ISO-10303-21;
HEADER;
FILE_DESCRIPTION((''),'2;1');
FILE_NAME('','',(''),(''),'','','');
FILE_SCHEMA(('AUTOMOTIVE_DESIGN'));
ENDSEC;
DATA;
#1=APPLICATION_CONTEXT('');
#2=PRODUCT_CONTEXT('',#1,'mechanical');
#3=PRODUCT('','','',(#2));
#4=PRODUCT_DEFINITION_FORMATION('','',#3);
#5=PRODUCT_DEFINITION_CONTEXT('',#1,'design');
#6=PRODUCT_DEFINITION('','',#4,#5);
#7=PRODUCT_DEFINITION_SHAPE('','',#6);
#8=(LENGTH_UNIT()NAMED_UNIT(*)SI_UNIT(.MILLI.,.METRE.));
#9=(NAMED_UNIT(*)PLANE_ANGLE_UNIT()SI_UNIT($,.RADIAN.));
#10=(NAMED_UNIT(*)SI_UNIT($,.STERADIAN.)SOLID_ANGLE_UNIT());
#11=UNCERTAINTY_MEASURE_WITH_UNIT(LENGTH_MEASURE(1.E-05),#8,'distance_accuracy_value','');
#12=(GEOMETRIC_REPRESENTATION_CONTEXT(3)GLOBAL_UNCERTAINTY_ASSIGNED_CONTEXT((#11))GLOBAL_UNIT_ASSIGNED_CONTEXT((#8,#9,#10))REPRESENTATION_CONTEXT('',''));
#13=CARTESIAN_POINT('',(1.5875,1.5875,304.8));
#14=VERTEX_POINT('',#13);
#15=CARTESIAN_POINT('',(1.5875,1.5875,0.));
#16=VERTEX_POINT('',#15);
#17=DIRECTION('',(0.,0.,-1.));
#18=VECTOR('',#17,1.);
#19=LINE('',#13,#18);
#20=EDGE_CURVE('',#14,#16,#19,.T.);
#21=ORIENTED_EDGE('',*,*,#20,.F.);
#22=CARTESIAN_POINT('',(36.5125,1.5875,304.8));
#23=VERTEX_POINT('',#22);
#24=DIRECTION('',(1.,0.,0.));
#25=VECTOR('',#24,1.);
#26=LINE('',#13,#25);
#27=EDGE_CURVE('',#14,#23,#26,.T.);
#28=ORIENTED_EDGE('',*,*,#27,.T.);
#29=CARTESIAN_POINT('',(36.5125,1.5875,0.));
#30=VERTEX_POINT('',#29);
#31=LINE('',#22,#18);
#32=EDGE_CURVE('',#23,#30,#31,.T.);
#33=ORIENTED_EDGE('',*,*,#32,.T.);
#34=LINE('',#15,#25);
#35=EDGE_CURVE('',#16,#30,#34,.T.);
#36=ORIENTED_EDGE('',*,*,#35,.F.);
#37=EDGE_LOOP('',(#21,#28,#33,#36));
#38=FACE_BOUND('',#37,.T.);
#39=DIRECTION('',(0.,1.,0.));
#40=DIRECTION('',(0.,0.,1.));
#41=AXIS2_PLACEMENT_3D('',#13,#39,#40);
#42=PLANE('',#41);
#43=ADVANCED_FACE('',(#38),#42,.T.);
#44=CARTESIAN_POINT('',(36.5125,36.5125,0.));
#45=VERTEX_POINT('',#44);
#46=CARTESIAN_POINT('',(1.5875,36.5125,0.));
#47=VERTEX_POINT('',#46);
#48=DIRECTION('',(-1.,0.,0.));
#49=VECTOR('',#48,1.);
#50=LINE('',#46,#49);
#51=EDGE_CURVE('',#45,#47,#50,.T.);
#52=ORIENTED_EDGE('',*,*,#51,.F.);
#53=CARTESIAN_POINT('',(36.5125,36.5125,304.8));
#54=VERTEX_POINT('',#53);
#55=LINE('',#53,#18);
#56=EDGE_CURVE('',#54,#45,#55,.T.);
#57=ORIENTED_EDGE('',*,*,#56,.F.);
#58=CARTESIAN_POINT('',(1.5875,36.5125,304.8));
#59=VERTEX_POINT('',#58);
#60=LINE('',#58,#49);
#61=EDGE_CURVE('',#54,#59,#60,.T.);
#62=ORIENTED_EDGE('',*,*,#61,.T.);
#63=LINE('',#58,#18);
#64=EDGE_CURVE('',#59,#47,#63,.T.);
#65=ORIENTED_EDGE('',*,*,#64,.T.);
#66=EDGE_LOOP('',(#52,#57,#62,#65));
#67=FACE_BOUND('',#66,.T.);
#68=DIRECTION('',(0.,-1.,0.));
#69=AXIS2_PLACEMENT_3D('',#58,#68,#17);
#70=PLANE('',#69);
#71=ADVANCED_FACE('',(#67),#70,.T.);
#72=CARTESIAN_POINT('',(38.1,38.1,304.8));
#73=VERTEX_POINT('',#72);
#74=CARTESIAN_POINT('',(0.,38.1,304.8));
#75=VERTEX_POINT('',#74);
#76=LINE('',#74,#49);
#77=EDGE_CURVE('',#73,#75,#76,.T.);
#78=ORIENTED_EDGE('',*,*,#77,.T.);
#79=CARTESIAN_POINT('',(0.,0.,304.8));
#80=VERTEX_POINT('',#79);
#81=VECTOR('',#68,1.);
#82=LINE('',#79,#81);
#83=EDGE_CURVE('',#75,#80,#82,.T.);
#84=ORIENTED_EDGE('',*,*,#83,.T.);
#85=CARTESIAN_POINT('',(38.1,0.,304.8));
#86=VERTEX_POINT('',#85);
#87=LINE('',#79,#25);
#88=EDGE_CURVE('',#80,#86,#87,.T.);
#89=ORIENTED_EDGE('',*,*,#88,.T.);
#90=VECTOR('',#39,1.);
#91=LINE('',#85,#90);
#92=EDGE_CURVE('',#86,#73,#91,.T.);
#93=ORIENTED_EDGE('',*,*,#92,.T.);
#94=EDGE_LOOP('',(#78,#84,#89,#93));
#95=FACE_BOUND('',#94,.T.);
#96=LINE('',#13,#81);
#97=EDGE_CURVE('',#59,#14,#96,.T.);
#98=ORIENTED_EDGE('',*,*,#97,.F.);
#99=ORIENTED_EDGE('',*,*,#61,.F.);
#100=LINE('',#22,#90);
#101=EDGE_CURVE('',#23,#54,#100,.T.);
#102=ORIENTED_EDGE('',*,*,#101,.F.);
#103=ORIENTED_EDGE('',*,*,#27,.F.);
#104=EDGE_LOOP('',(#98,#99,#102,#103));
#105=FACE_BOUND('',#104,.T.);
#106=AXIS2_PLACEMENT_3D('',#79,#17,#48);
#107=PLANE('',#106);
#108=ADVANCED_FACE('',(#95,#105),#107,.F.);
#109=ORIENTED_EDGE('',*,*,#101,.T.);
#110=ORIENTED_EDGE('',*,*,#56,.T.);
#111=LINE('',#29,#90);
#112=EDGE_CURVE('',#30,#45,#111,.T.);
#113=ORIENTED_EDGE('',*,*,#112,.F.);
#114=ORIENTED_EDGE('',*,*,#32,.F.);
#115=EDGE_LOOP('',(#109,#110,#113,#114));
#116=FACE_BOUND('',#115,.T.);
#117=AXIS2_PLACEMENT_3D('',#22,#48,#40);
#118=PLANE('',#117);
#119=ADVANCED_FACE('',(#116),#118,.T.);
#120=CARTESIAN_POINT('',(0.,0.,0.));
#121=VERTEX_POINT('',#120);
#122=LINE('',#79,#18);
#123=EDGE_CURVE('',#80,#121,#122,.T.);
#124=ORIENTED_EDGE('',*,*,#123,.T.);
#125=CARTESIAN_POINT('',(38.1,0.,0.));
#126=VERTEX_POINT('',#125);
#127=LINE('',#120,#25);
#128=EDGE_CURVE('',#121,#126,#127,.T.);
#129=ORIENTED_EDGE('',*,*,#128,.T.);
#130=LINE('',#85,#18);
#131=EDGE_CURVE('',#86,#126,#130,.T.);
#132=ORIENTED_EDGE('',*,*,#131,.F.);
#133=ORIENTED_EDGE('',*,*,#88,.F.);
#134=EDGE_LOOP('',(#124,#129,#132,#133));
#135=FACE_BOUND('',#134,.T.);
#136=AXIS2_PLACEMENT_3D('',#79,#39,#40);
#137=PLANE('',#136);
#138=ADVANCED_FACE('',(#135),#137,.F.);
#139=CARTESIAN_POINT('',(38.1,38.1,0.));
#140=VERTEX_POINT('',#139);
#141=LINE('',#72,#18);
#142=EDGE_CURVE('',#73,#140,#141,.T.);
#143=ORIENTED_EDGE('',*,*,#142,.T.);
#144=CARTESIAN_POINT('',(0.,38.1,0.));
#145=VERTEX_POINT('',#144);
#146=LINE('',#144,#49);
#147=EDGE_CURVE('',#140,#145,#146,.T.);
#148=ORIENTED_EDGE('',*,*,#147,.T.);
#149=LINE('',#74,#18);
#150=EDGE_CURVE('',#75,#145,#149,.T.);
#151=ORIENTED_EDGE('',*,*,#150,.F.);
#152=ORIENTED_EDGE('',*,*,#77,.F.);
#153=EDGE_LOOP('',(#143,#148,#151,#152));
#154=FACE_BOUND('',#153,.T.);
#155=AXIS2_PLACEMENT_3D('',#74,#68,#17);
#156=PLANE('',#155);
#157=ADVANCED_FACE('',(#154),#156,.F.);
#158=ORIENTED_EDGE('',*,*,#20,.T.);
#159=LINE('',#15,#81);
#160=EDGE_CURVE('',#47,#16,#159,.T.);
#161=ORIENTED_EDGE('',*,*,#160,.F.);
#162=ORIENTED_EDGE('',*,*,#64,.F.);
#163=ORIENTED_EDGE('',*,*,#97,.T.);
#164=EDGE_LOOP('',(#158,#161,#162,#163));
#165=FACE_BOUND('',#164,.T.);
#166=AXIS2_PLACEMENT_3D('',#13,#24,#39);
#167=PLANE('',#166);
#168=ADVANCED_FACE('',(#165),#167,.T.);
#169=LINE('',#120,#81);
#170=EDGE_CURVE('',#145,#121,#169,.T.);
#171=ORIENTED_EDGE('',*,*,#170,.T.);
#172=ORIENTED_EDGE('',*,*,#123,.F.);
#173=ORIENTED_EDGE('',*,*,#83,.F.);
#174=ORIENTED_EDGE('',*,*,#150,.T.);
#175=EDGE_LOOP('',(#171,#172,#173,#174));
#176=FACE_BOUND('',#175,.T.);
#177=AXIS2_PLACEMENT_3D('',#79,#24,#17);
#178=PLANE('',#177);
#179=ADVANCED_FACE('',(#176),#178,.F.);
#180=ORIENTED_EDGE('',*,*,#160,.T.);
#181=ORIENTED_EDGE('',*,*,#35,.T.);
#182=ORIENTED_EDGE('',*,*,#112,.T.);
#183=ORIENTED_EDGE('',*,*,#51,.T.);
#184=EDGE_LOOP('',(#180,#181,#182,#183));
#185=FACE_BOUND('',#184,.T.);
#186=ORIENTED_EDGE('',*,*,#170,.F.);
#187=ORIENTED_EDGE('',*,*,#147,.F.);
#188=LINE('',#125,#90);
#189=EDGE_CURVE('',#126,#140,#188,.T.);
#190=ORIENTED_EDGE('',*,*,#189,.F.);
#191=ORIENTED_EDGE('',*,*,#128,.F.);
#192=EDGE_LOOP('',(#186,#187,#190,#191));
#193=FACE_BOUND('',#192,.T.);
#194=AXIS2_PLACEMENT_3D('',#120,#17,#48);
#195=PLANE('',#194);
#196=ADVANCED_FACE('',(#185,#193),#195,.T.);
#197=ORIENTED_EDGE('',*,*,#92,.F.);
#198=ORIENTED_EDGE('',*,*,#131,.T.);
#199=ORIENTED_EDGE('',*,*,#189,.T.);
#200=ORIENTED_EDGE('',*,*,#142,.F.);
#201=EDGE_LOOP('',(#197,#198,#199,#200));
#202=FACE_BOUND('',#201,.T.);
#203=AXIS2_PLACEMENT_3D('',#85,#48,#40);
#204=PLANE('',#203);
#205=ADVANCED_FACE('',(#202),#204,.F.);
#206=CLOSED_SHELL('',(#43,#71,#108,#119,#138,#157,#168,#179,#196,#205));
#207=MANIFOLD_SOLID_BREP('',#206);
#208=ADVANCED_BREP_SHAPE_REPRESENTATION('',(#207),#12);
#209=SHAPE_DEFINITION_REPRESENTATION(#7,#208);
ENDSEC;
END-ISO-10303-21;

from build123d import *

# Parameters (mm, degrees)
SKETCH2_W           = 38.1
SKETCH2_H           = 38.1
SKETCH2_W_2         = 34.925
SKETCH2_H_2         = 34.925
BOSS_EXTRUDE1_DEPTH = 304.8


with BuildPart() as part:
    # Sketch2 → Boss-Extrude1 (new body)
    with BuildSketch(Plane.XY):
        with Locations((19.05, 19.05)):
            Rectangle(SKETCH2_W, SKETCH2_H)
        with Locations((19.05, 19.05)):
            Rectangle(SKETCH2_W_2, SKETCH2_H_2, mode=Mode.SUBTRACT)
    extrude(amount=BOSS_EXTRUDE1_DEPTH)


solid = part.part
